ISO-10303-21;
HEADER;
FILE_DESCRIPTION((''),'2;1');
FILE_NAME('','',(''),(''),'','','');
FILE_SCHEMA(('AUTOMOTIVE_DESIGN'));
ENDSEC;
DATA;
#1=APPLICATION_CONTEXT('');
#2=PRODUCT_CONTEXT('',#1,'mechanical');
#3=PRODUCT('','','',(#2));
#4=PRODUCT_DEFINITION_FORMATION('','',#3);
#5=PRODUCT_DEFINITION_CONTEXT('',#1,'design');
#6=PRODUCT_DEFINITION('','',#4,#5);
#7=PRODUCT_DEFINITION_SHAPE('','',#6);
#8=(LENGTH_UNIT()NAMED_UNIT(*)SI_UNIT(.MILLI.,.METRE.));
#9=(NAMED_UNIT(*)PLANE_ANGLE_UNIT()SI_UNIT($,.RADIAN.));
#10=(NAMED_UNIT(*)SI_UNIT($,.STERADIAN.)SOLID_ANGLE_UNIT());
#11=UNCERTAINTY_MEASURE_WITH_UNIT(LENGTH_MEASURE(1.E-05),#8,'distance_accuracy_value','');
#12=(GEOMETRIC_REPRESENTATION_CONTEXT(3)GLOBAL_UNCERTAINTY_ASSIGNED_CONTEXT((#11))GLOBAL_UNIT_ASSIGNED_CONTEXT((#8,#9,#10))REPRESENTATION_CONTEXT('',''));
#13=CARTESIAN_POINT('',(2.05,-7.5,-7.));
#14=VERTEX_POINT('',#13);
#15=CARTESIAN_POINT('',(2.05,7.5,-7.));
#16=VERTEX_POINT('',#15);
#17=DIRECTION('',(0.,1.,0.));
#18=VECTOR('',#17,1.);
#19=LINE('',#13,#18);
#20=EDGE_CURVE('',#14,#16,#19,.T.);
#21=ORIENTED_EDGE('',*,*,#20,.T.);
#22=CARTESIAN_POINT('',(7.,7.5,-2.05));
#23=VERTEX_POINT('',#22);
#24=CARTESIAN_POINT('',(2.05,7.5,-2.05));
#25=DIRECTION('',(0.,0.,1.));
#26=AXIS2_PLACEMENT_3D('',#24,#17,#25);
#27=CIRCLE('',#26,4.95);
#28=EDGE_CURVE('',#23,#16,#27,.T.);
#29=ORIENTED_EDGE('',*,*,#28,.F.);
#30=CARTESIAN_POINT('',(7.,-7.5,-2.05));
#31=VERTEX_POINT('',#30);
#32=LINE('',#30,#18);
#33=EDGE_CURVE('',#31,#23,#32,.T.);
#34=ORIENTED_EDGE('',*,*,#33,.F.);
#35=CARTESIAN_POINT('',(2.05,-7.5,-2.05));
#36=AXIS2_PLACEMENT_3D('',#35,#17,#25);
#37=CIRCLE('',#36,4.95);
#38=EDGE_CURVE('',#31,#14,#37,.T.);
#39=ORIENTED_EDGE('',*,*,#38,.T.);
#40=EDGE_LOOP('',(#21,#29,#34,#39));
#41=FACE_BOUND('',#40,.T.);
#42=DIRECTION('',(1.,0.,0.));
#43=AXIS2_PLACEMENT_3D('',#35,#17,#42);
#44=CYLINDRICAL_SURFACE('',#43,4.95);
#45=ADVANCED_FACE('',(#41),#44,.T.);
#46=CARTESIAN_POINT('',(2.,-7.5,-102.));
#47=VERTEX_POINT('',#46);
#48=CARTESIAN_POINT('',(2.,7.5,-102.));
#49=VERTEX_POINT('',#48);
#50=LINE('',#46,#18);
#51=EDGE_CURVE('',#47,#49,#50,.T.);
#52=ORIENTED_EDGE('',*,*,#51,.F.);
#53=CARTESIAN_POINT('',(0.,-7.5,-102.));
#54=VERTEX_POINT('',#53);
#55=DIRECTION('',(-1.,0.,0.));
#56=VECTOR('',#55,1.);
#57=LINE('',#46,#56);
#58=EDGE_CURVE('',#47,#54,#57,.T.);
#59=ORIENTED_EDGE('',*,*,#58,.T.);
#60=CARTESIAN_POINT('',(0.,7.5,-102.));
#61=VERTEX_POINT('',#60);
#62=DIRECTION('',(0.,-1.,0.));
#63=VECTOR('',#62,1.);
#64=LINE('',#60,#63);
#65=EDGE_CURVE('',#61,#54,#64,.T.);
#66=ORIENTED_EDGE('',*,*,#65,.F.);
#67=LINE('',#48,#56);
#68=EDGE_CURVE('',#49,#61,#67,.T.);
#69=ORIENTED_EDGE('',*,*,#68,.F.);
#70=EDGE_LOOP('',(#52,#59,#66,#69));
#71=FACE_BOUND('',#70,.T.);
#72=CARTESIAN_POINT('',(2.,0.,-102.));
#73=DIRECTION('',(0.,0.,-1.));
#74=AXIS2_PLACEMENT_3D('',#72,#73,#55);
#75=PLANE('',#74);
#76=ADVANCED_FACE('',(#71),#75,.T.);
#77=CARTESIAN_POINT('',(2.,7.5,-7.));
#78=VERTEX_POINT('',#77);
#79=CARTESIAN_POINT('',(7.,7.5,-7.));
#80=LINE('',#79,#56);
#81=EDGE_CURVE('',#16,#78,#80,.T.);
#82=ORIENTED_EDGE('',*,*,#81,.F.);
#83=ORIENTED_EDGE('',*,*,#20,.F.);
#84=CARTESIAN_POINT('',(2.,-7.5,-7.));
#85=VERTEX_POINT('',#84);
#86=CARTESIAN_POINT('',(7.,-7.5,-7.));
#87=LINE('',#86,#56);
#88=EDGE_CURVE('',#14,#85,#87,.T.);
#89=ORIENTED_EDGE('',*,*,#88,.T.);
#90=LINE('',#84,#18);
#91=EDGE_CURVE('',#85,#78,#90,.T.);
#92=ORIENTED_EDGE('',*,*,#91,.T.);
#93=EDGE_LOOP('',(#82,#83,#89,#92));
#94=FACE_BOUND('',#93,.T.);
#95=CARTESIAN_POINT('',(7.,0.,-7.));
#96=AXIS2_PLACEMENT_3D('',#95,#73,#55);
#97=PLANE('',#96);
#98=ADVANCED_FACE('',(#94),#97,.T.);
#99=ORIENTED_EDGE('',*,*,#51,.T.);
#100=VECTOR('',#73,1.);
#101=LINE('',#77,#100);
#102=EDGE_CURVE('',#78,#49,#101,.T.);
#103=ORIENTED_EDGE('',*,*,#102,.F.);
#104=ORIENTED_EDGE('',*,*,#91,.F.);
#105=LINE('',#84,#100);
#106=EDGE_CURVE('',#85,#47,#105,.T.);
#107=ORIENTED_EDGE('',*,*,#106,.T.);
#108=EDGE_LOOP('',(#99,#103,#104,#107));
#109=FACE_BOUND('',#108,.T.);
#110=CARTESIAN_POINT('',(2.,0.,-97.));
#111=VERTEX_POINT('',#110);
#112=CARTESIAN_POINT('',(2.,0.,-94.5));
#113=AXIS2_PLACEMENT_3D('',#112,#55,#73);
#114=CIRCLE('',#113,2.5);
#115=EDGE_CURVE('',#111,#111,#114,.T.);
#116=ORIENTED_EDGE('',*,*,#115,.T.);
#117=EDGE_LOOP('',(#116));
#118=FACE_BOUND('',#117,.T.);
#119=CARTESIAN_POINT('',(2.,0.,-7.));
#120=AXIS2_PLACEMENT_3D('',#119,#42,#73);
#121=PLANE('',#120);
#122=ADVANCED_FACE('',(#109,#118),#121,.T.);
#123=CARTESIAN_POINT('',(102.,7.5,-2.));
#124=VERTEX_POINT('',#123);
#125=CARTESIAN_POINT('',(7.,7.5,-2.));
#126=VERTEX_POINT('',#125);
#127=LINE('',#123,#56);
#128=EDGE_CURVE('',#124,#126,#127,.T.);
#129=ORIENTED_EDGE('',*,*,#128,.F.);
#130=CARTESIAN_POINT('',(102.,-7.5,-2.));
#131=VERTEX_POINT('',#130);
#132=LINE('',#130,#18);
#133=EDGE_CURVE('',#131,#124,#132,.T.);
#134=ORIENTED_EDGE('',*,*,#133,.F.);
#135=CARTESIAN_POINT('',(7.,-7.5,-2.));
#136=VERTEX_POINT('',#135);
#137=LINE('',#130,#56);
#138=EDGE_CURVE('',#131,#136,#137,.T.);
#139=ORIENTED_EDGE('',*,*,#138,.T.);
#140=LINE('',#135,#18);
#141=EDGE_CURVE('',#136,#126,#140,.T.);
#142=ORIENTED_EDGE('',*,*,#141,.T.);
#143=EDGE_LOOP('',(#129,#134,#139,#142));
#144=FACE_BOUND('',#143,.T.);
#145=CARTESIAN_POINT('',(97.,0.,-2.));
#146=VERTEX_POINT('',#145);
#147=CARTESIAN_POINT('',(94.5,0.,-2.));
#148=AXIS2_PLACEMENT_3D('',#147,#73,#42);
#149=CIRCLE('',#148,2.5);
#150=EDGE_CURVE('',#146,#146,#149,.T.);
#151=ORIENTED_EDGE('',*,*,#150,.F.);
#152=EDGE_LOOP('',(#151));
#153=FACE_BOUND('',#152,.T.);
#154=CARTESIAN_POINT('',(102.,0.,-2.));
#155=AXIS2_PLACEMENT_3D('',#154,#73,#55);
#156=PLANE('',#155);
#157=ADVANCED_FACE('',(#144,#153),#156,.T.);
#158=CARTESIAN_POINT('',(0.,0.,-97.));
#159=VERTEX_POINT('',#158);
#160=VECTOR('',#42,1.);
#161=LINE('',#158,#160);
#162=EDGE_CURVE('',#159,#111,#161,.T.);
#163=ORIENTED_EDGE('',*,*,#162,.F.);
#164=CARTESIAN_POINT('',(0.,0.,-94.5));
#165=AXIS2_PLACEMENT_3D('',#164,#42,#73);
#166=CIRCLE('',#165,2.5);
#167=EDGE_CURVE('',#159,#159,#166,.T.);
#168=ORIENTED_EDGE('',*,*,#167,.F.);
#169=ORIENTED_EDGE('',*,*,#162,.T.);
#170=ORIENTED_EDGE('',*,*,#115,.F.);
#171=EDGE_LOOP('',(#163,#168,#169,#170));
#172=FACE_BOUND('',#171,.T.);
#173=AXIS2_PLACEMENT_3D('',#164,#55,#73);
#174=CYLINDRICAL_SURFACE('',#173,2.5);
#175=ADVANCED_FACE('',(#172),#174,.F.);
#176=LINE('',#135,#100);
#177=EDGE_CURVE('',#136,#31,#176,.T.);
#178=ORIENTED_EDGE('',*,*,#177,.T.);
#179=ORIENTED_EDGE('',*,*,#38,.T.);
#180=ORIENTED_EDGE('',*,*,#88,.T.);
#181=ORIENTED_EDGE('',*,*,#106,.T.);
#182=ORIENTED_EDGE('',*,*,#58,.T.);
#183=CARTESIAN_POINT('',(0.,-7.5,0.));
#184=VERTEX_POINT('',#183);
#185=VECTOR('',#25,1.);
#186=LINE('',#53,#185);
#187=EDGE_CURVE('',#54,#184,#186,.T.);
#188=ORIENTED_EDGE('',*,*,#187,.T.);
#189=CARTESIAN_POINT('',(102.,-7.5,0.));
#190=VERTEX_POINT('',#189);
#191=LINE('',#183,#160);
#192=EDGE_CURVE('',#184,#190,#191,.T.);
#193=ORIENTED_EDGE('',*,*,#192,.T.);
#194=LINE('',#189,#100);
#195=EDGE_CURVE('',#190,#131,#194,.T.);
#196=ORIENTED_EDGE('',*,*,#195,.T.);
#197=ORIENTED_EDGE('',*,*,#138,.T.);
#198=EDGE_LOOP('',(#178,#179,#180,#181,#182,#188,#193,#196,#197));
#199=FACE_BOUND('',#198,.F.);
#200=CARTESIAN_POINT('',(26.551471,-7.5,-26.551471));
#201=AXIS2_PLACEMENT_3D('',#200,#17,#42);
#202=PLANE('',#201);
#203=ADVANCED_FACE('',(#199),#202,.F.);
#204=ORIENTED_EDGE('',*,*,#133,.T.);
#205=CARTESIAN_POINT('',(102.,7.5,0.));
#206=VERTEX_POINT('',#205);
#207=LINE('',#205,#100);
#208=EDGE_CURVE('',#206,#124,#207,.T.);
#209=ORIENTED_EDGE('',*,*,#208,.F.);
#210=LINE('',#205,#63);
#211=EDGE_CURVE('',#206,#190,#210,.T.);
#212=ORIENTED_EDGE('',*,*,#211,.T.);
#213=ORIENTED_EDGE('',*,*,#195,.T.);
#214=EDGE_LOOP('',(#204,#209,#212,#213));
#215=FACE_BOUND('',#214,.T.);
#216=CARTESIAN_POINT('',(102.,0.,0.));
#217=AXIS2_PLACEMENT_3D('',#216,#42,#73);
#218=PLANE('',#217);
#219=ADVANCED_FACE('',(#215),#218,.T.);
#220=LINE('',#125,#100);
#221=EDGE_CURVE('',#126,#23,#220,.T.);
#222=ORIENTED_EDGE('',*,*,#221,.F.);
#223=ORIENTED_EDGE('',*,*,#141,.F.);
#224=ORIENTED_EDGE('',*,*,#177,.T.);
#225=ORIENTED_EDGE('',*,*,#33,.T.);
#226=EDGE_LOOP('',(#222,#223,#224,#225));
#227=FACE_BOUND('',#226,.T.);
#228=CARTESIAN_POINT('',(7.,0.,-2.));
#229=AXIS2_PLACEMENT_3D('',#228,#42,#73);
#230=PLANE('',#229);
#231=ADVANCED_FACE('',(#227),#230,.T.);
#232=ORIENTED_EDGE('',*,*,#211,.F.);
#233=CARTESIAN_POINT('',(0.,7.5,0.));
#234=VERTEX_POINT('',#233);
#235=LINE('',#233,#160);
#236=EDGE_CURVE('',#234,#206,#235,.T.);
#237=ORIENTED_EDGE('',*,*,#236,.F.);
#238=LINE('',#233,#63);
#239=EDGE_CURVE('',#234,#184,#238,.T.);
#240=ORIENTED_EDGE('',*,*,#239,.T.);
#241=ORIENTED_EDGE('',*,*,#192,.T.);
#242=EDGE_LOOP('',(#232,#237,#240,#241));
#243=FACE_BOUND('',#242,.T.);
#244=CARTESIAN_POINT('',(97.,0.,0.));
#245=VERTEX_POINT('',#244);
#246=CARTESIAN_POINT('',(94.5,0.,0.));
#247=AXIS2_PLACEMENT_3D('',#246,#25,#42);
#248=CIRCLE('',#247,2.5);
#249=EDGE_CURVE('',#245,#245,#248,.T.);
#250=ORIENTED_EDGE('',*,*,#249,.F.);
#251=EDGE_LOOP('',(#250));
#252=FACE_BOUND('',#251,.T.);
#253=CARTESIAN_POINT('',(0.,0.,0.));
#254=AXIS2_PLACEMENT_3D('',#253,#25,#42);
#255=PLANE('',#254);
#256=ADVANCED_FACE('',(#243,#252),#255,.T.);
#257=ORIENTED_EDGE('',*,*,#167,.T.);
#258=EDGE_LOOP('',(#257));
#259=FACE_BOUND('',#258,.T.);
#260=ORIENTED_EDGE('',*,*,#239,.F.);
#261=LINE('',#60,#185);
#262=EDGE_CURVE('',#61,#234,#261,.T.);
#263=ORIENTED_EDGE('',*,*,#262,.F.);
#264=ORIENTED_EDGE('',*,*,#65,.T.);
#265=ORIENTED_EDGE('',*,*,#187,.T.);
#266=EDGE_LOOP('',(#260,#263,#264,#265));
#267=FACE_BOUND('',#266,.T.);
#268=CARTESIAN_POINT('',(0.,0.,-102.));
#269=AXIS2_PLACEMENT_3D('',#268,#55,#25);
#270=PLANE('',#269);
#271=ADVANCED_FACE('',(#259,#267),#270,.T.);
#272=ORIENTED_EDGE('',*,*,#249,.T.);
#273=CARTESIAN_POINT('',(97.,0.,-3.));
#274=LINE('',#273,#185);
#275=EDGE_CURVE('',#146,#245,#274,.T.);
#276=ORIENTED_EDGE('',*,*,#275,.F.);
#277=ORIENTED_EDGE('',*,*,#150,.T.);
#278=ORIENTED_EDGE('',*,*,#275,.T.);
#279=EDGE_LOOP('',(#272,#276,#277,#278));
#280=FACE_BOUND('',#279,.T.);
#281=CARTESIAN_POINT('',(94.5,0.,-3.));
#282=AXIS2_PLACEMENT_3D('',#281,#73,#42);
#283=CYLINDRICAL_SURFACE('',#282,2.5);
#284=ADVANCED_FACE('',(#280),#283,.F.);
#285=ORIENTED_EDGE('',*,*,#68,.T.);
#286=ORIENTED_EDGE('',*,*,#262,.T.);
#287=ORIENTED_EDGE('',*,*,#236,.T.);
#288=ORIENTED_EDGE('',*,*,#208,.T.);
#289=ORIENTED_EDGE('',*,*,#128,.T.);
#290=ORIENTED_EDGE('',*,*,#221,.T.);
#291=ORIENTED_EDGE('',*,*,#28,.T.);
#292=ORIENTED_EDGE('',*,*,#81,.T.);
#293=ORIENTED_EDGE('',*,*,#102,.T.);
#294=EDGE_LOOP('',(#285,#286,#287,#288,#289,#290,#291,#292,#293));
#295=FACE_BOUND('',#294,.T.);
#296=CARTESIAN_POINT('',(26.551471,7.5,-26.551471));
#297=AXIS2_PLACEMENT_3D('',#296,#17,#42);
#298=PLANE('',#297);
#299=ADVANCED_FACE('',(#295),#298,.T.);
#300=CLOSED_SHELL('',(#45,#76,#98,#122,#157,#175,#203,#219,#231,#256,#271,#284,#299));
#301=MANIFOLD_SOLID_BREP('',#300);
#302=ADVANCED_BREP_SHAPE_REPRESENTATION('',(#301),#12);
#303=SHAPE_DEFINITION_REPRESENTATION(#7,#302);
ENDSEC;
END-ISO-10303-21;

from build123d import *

# Parameters (mm, degrees)
PAD_DEPTH            = 7.5
CYLINDER_R           = 2.5
CYLINDER_DEPTH       = 3
CYLINDER001_R        = 2.5
CYLINDER001_DEPTH    = 3
FILLET_R             = 4.95
BODY_PLACEMENT_ANGLE = 270


with BuildPart() as part:
    # Sketch → Pad (new body, symmetric)
    with BuildSketch(Plane.XY):
        Polygon((102, 0), (102, 2), (7, 2), (7, 7), (2, 7), (2, 102), (0, 102), (0, 0), align=None)
    extrude(amount=PAD_DEPTH, both=True)

    # Cylinder → Cylinder (cut)
    with BuildSketch(Plane(origin=(94.5, 3, 0), x_dir=(1, 0, 0), z_dir=(0, -1, 0))):
        Circle(CYLINDER_R)
    extrude(amount=CYLINDER_DEPTH, mode=Mode.SUBTRACT)

    # Cylinder001 → Cylinder001 (cut)
    with BuildSketch(Plane(origin=(0, 94.5, 0), x_dir=(0, 1, 0), z_dir=(1, 0, 0))):
        Circle(CYLINDER001_R)
    extrude(amount=CYLINDER001_DEPTH, mode=Mode.SUBTRACT)

    # Fillet
    fillet_edges = [part.edges().sort_by_distance(p)[0] for p in [
        (7, 7, 0),
    ]]
    fillet(fillet_edges, radius=FILLET_R)


with BuildPart() as part_1:
    # Body placement: moved
    add(part.part.rotate(Axis((0, 0, 0), (1, 0, 0)), BODY_PLACEMENT_ANGLE))


solid = part_1.part
